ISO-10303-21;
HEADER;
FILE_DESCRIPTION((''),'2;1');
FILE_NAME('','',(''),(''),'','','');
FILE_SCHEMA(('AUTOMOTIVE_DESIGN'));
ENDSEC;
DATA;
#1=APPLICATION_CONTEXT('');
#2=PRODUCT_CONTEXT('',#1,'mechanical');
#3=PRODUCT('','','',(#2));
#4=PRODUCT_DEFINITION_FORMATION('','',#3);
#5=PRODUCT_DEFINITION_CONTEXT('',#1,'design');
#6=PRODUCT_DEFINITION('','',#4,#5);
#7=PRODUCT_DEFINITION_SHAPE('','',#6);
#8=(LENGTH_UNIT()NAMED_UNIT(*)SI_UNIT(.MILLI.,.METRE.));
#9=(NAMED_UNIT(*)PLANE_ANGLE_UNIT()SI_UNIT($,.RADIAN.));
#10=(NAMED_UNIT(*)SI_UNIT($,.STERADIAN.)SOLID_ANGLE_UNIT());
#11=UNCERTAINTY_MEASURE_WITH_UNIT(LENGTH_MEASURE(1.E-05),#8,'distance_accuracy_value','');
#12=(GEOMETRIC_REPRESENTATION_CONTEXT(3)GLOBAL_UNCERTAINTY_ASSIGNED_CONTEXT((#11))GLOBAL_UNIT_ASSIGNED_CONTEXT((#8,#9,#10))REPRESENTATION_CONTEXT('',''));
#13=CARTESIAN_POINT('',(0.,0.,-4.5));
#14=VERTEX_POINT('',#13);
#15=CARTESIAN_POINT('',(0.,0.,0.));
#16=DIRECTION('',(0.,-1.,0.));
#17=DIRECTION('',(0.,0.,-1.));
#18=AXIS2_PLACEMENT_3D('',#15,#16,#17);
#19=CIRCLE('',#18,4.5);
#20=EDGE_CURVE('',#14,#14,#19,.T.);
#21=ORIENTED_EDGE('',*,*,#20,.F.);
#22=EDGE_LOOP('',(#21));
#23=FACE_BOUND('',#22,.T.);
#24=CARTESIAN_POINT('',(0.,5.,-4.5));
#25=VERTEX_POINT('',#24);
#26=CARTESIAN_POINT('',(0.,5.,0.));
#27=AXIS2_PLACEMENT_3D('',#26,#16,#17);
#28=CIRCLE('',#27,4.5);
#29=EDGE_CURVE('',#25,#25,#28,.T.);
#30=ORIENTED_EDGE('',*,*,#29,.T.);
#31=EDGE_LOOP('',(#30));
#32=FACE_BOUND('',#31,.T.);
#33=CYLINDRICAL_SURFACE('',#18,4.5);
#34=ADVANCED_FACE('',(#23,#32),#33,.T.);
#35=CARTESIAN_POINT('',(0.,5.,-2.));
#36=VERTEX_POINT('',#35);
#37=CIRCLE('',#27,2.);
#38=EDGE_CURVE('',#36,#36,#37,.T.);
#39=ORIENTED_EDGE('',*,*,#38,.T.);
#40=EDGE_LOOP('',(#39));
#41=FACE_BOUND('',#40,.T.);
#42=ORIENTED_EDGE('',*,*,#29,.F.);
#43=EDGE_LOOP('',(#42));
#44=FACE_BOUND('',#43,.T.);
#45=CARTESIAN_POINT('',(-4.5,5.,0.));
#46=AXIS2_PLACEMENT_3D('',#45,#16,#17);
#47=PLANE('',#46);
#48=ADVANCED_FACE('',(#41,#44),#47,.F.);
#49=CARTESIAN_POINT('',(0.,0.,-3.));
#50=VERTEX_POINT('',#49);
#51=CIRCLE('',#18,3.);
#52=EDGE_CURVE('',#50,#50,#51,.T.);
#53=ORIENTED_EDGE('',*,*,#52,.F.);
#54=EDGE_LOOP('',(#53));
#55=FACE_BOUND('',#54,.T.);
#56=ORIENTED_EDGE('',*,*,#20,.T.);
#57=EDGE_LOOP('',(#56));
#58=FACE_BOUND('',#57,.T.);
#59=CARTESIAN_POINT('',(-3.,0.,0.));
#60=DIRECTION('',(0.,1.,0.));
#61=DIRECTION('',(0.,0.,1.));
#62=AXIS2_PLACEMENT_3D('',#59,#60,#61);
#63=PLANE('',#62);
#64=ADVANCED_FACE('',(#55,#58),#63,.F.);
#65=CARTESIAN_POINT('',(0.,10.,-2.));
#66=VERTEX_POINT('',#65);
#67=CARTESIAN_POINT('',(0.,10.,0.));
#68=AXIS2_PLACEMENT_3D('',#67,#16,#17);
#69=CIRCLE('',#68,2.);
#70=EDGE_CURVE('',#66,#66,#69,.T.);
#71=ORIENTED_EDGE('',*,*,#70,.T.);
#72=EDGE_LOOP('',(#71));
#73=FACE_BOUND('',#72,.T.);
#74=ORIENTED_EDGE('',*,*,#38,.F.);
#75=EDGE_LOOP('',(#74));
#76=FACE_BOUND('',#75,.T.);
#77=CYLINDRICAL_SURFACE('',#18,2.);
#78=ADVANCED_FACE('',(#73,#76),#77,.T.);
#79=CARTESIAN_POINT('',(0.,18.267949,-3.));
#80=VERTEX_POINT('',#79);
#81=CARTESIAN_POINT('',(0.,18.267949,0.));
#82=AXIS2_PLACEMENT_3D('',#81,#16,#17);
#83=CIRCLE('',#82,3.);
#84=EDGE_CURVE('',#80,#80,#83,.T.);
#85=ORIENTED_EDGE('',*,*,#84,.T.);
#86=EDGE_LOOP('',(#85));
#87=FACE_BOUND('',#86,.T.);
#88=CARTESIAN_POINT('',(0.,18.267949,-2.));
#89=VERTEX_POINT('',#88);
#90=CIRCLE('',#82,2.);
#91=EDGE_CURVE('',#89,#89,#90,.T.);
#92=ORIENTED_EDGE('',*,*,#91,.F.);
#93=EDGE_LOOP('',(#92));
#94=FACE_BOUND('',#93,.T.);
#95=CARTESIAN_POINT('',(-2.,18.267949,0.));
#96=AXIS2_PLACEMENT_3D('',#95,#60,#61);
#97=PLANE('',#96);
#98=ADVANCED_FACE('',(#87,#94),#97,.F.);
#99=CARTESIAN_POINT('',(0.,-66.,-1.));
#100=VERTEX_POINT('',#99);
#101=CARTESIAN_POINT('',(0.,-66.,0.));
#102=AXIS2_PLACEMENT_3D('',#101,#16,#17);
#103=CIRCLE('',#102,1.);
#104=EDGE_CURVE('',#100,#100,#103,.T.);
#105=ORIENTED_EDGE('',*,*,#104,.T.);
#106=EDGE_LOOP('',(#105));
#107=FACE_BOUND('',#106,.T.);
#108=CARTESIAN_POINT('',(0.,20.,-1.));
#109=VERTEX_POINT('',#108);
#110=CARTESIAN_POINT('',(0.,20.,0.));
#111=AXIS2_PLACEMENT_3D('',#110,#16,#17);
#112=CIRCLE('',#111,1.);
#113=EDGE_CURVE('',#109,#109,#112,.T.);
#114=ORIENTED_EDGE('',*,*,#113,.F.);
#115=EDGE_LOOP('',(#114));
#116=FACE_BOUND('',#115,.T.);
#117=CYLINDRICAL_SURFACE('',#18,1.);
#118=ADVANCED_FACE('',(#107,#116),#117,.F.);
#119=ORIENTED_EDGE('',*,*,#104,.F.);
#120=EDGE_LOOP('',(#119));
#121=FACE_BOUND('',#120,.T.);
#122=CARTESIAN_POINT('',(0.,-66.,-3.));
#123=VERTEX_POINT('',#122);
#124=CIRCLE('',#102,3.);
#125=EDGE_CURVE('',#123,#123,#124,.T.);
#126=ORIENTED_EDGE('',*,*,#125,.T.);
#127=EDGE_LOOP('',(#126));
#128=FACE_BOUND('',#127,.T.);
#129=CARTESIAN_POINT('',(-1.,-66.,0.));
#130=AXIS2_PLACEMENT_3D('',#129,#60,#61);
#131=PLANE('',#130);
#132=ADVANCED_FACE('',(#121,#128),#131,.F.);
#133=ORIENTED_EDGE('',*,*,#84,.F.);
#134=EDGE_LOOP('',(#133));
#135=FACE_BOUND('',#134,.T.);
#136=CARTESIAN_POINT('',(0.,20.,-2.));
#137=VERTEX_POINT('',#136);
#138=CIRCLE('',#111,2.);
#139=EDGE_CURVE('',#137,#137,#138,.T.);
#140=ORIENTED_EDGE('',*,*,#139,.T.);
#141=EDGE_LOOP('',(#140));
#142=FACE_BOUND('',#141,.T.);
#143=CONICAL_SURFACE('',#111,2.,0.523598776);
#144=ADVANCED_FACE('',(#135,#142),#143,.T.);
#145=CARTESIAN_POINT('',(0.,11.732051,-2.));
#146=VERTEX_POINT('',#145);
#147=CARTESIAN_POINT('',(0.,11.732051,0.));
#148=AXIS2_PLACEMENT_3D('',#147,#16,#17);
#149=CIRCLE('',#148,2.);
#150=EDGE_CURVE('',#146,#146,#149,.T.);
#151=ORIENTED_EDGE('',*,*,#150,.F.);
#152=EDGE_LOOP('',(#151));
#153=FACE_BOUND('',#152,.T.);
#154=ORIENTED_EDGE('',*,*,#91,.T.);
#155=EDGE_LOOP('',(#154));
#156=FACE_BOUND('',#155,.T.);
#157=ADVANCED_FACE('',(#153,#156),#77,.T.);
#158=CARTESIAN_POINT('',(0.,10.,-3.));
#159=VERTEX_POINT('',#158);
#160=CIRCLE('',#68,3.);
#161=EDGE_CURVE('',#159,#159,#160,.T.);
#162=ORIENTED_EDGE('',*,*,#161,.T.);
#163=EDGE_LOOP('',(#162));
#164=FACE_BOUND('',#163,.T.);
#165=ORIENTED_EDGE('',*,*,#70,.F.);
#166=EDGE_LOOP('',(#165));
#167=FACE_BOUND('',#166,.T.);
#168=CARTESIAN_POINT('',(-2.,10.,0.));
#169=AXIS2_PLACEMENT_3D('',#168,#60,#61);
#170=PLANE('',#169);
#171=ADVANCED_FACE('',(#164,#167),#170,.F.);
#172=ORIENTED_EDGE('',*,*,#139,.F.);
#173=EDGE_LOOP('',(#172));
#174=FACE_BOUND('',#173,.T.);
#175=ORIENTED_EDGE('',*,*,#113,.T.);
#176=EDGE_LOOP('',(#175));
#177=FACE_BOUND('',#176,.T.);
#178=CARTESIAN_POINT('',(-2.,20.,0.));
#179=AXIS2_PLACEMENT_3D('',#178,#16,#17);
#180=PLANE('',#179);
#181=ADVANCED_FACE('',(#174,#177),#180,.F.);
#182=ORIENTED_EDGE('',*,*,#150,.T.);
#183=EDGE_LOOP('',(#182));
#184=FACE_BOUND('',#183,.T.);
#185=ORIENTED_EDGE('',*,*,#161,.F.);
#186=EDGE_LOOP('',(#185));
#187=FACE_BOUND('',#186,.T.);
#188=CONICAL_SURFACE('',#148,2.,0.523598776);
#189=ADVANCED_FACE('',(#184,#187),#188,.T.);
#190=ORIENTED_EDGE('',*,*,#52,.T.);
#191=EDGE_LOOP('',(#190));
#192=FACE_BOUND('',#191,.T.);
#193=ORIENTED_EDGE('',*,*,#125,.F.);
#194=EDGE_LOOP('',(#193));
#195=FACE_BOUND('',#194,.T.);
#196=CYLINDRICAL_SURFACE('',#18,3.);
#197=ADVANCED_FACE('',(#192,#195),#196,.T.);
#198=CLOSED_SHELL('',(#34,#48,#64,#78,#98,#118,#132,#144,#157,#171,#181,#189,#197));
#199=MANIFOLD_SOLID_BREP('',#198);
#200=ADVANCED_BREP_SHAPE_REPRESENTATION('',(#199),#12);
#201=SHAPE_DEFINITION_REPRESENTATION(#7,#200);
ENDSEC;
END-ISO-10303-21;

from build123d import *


with BuildPart() as part:
    # Эскиз1 → Повернуть1 (revolve)
    with BuildSketch(Plane.XY):
        Polygon((-1, -66), (-3, -66), (-3, 0), (-4.5, 0), (-4.5, 5), (-2, 5), (-2, 10), (-3, 10), (-2, 11.732050808), (-2, 18.267949192), (-3, 18.267949192), (-2, 20), (-1, 20), align=None)
    revolve(axis=Axis((0, 0, 0), (0, 1, 0)))


solid = part.part
